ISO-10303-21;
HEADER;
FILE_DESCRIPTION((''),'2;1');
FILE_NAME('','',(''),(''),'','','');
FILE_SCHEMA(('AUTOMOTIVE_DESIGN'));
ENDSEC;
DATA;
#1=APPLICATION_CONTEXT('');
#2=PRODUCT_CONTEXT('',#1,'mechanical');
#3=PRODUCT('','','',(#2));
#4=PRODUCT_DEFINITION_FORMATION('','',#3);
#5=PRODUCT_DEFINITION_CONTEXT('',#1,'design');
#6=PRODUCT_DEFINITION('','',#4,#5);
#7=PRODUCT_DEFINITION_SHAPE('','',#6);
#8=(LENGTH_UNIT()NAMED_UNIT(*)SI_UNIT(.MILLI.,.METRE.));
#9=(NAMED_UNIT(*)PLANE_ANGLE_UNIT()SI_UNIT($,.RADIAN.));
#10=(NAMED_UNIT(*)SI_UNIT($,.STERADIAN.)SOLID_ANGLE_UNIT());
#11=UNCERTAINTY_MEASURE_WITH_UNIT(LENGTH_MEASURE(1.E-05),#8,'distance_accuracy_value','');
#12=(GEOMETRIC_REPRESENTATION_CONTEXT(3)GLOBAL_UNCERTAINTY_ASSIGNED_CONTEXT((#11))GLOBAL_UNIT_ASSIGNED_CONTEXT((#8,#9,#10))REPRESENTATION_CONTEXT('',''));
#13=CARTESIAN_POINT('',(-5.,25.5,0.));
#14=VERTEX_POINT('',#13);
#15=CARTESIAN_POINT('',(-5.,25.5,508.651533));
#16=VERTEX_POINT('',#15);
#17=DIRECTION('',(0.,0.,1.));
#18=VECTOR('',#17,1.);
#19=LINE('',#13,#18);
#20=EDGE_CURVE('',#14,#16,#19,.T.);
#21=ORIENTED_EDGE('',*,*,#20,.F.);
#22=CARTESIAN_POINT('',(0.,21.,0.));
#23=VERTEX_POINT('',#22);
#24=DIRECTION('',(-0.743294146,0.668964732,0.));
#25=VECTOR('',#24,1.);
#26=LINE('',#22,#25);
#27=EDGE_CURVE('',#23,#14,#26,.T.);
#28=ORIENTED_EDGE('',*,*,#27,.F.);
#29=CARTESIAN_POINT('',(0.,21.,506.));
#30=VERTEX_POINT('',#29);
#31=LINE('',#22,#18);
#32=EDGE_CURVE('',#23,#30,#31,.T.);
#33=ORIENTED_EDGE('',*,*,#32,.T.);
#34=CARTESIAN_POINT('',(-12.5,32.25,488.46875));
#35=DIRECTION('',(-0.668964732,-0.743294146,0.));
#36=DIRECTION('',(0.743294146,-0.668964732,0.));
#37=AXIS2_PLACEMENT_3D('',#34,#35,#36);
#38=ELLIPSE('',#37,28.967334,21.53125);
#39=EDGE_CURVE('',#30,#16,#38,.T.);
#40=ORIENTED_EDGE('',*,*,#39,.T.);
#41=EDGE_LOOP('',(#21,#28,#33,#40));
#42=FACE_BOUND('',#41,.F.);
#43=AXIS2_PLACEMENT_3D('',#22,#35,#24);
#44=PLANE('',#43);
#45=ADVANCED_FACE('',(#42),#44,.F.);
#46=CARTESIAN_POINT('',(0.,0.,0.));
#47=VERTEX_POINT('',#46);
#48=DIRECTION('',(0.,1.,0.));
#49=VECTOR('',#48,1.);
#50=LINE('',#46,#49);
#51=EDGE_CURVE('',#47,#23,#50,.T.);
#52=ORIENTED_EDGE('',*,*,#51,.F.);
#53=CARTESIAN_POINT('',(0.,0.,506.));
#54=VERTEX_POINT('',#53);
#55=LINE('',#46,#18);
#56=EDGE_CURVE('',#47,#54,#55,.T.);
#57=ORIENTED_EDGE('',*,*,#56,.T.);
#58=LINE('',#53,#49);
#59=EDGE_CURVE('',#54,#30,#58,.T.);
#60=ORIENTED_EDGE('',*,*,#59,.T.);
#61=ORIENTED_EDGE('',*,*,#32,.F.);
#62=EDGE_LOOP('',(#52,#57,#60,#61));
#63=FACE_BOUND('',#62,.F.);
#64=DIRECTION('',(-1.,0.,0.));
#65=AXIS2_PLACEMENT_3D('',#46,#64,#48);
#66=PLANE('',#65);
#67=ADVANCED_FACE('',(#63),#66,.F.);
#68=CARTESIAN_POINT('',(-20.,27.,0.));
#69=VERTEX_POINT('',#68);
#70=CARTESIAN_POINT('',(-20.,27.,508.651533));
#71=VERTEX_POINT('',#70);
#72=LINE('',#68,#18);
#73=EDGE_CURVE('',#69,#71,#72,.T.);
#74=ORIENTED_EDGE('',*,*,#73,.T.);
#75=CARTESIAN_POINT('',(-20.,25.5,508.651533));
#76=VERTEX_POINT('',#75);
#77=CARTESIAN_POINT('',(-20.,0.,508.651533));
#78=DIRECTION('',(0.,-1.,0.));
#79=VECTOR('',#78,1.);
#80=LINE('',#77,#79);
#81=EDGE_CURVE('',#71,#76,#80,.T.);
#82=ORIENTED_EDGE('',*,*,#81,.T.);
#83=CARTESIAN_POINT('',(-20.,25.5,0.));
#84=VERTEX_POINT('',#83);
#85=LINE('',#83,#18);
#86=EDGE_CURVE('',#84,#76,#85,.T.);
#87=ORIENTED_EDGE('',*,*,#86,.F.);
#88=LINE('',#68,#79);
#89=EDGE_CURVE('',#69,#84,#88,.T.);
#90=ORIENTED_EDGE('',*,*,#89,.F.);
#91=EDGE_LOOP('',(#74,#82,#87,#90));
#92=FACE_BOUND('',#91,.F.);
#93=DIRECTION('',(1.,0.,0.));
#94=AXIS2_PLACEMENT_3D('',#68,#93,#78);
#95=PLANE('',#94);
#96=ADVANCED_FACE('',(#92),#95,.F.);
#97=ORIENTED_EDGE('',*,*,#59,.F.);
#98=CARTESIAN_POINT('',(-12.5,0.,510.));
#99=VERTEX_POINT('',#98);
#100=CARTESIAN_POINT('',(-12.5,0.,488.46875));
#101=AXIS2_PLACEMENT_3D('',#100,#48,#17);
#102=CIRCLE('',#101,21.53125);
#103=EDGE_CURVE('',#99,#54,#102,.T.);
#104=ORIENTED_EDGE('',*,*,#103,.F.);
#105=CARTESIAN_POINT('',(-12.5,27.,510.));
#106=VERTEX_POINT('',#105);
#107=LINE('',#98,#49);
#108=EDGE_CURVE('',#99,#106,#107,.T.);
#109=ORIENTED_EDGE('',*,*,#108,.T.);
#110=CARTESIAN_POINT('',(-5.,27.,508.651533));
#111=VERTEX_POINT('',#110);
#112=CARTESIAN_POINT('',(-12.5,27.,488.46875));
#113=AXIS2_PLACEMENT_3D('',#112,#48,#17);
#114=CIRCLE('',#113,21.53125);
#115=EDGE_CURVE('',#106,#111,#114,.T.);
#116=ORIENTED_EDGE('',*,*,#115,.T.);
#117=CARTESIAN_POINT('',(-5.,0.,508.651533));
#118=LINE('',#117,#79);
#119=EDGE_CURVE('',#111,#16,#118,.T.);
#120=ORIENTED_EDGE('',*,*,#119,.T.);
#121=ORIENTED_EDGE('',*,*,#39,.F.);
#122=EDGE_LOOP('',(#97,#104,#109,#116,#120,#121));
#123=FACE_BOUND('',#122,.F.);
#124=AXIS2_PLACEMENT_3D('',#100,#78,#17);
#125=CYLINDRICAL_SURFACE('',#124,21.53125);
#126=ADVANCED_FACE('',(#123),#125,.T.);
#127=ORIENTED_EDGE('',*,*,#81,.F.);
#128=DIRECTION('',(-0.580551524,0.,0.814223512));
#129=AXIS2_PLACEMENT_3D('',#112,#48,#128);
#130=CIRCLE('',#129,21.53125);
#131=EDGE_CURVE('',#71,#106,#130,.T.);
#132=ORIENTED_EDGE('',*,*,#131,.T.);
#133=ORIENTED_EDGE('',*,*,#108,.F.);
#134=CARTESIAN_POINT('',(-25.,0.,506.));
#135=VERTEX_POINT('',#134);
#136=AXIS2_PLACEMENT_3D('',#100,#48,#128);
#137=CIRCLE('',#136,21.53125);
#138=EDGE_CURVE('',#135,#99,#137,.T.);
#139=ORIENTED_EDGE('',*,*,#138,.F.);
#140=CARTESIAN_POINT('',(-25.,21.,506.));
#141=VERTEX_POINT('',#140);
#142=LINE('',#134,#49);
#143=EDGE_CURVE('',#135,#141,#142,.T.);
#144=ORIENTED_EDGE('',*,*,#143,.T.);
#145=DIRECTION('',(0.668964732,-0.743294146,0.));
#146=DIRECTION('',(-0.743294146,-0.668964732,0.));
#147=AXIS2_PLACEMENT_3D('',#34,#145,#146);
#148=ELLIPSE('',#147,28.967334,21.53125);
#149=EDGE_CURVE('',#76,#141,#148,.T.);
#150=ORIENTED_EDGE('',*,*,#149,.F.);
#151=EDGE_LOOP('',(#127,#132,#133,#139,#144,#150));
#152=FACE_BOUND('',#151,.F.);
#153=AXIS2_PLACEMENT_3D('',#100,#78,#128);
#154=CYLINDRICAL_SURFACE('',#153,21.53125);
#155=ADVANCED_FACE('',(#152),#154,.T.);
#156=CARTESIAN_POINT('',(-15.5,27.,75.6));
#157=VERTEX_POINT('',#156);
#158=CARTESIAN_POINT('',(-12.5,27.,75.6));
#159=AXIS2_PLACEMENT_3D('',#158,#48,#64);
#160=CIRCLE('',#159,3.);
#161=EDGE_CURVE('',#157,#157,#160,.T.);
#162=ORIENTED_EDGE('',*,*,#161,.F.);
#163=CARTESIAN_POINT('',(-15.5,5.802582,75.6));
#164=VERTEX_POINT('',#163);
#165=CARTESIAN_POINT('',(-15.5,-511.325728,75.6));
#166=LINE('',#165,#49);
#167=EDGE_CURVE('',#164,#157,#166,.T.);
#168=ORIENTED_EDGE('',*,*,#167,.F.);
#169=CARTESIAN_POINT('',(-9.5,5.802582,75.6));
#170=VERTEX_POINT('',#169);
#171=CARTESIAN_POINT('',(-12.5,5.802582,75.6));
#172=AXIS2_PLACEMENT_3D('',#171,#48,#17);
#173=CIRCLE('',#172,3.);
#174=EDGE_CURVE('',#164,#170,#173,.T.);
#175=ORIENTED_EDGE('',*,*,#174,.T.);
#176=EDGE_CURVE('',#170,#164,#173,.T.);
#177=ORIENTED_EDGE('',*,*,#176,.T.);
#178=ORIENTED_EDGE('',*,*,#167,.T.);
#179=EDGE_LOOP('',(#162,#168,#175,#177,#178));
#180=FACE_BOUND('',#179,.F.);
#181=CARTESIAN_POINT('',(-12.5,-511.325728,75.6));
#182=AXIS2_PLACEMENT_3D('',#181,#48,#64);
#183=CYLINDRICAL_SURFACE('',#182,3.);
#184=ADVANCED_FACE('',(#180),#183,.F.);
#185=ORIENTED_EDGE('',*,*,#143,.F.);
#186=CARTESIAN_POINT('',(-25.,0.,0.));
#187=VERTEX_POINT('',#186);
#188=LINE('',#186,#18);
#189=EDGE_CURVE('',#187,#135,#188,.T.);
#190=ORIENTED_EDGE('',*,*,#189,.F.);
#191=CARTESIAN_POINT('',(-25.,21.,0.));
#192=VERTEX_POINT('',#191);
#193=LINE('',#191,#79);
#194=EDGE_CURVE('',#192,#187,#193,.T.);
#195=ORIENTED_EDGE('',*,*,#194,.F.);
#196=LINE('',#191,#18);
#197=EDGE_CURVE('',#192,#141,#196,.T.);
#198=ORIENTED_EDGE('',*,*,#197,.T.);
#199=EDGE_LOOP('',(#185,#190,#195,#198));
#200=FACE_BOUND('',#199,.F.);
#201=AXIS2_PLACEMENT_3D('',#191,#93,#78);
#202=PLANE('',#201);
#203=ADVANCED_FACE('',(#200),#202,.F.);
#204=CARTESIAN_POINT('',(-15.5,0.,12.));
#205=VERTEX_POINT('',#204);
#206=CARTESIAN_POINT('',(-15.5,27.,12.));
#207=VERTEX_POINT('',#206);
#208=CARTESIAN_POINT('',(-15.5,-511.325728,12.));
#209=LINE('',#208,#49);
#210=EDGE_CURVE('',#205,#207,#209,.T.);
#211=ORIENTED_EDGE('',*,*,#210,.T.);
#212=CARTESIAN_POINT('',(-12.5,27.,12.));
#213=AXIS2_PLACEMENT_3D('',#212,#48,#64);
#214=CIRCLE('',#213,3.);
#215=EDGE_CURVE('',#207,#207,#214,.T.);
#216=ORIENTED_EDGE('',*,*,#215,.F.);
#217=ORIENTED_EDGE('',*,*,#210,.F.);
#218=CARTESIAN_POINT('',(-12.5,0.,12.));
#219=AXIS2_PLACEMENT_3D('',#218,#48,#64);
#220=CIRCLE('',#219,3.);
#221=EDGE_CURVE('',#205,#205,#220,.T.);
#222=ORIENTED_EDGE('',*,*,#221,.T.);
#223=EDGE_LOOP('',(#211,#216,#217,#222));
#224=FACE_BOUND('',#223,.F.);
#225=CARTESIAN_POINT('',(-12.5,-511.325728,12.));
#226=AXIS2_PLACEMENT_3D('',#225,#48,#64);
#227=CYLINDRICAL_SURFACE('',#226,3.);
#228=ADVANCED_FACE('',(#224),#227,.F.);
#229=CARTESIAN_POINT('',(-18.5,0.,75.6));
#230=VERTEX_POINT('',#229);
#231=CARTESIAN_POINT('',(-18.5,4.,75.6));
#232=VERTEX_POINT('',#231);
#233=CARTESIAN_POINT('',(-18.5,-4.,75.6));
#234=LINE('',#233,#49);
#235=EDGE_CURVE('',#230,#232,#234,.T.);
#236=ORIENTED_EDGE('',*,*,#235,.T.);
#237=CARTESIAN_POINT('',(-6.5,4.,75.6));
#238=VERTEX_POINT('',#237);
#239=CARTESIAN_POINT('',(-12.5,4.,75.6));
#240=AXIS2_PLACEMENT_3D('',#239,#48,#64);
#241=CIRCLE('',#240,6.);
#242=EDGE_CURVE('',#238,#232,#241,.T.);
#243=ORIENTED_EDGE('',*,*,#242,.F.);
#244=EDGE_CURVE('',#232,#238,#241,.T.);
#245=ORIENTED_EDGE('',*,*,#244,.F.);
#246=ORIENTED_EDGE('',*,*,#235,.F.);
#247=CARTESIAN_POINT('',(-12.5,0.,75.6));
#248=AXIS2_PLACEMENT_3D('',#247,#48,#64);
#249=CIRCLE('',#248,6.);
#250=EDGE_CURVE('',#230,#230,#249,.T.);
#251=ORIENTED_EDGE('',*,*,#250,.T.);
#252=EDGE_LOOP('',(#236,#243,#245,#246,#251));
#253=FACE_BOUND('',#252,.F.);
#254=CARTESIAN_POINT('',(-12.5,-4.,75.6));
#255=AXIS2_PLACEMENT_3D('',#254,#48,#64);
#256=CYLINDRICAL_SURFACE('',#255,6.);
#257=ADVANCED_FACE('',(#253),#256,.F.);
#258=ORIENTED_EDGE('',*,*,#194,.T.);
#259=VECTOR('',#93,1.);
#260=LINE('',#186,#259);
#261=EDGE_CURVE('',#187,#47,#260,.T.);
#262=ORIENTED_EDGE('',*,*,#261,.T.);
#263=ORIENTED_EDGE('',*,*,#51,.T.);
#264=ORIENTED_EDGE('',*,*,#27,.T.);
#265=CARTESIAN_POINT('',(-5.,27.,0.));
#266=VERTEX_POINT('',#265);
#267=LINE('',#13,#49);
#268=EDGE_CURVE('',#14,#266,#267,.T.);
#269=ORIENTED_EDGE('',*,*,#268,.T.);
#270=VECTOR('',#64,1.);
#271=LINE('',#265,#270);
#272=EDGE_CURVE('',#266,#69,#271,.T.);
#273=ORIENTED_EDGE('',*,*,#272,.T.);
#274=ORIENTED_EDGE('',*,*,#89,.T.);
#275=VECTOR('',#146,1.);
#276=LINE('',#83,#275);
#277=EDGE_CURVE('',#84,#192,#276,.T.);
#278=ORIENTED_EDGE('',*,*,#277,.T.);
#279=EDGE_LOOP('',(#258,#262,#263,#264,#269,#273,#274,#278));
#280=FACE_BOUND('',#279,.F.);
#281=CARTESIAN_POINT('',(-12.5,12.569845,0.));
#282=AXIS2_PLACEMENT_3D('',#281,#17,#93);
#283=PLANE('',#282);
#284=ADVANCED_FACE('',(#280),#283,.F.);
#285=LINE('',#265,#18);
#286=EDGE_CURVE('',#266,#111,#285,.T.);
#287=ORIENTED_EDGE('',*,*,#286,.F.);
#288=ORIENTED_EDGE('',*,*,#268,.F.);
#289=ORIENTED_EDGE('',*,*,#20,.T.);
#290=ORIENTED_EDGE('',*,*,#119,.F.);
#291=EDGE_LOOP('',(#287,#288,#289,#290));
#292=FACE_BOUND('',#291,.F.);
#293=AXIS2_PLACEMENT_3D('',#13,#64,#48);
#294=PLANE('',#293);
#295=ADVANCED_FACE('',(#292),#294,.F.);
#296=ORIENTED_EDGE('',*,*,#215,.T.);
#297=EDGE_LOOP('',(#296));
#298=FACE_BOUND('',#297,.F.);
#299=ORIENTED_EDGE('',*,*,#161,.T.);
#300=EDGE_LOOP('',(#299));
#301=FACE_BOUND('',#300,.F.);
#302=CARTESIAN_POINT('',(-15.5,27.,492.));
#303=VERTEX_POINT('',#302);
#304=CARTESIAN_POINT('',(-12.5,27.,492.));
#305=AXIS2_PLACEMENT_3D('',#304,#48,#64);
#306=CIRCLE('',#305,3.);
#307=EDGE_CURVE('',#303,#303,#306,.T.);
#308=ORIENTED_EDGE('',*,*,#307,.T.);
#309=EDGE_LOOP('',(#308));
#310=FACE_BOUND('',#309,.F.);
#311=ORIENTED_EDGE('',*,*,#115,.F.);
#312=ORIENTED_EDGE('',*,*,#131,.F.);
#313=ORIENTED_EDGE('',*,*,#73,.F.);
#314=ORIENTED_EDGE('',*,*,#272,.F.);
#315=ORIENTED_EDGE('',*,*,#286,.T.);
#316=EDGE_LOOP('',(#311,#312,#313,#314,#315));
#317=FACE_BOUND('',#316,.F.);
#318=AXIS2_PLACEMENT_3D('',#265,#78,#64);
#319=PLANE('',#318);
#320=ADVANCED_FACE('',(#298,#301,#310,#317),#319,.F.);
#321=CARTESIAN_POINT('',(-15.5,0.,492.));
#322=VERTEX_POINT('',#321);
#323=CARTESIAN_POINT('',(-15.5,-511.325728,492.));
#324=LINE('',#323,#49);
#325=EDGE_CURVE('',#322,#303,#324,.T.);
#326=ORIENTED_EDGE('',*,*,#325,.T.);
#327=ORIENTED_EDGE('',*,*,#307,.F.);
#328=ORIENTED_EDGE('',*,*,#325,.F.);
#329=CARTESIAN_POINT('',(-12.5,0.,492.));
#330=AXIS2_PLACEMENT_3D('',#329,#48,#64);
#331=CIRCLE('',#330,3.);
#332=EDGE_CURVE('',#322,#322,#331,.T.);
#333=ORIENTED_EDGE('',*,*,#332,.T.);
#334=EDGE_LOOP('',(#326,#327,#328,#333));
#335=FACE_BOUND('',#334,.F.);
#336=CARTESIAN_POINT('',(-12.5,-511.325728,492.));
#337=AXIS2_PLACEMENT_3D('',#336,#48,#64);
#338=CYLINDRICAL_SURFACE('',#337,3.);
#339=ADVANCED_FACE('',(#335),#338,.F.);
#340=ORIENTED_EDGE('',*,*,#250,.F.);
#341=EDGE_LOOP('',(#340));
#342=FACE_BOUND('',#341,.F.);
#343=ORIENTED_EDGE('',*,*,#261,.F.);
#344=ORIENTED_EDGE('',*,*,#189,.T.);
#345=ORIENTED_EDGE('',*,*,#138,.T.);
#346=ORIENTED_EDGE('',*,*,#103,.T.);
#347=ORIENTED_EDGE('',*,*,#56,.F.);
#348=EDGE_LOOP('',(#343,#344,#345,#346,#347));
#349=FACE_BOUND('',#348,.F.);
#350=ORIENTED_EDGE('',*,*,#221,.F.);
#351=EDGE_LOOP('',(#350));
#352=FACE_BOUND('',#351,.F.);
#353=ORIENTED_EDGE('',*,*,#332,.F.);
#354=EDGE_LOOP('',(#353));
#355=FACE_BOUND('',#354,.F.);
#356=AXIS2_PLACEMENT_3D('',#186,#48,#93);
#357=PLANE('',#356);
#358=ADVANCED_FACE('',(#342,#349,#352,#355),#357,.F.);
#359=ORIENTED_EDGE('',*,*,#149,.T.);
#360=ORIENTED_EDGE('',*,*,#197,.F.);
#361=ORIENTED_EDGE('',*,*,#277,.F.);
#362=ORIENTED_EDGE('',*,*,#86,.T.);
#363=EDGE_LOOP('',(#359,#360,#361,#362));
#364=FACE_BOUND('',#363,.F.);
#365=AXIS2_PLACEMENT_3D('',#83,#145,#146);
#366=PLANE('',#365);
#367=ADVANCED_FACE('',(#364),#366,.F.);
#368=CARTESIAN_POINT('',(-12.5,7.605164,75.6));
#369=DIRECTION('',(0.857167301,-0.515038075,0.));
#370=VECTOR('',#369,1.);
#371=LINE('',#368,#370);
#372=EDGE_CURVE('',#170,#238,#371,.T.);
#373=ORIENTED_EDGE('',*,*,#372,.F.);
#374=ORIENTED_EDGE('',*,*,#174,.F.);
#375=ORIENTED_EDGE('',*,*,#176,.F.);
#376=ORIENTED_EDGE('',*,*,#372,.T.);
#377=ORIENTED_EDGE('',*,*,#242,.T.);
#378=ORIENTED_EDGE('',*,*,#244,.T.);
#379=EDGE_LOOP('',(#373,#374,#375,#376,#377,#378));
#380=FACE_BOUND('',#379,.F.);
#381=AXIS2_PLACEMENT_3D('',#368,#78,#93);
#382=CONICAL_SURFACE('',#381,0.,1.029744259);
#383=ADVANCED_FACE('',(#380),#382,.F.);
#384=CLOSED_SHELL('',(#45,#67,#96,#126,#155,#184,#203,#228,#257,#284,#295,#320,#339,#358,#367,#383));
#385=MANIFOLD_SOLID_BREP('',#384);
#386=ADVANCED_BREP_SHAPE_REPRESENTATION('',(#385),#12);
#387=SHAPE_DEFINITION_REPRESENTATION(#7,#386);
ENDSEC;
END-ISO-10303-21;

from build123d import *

# Parameters (mm, degrees)
F1_DEPTH = 510
F3_DEPTH = 27
F5_D     = 6
F7_D     = 12
F7_DEPTH = 4
F7_TIP   = 3.6051637142


with BuildPart() as f1:
    # F0 (on Top) → F1 (new body)
    with BuildSketch(Plane.XY):
        Polygon((-25, 0), (0, 0), (0, 21), (-5, 25.5), (-5, 27), (-20, 27), (-20, 25.5), (-25, 21), align=None)
    extrude(amount=F1_DEPTH)

    # F2 (on face) → F3 (cut)
    with BuildSketch(Plane.XZ):
        with BuildLine():
            ThreePointArc((-25, 506), (-19.0622023742, 508.9756324194), (-12.5, 510))
            Line((-12.5, 510), (-25, 510))
            Line((-25, 510), (-25, 506))
        make_face()
        with BuildLine():
            Line((0, 510), (-12.5, 510))
            ThreePointArc((-12.5, 510), (-5.9377976258, 508.9756324194), (0, 506))
            Line((0, 506), (0, 510))
        make_face()
    extrude(amount=-F3_DEPTH, mode=Mode.SUBTRACT)

    # F5 (through all)
    with Locations(Plane.XZ):
        with Locations((-12.5, 492), (-12.5, 12), (-12.5, 75.6)):
            Hole(F5_D / 2)

    # F7
    with Locations(Plane.XZ):
        with Locations((-12.5, 75.6)):
            Hole(F7_D / 2, depth=F7_DEPTH)
            with Locations((0, 0, -(F7_DEPTH + F7_TIP / 2))):  # 118° drill point
                Cone(0, F7_D / 2, F7_TIP, mode=Mode.SUBTRACT)


solid = f1.part
